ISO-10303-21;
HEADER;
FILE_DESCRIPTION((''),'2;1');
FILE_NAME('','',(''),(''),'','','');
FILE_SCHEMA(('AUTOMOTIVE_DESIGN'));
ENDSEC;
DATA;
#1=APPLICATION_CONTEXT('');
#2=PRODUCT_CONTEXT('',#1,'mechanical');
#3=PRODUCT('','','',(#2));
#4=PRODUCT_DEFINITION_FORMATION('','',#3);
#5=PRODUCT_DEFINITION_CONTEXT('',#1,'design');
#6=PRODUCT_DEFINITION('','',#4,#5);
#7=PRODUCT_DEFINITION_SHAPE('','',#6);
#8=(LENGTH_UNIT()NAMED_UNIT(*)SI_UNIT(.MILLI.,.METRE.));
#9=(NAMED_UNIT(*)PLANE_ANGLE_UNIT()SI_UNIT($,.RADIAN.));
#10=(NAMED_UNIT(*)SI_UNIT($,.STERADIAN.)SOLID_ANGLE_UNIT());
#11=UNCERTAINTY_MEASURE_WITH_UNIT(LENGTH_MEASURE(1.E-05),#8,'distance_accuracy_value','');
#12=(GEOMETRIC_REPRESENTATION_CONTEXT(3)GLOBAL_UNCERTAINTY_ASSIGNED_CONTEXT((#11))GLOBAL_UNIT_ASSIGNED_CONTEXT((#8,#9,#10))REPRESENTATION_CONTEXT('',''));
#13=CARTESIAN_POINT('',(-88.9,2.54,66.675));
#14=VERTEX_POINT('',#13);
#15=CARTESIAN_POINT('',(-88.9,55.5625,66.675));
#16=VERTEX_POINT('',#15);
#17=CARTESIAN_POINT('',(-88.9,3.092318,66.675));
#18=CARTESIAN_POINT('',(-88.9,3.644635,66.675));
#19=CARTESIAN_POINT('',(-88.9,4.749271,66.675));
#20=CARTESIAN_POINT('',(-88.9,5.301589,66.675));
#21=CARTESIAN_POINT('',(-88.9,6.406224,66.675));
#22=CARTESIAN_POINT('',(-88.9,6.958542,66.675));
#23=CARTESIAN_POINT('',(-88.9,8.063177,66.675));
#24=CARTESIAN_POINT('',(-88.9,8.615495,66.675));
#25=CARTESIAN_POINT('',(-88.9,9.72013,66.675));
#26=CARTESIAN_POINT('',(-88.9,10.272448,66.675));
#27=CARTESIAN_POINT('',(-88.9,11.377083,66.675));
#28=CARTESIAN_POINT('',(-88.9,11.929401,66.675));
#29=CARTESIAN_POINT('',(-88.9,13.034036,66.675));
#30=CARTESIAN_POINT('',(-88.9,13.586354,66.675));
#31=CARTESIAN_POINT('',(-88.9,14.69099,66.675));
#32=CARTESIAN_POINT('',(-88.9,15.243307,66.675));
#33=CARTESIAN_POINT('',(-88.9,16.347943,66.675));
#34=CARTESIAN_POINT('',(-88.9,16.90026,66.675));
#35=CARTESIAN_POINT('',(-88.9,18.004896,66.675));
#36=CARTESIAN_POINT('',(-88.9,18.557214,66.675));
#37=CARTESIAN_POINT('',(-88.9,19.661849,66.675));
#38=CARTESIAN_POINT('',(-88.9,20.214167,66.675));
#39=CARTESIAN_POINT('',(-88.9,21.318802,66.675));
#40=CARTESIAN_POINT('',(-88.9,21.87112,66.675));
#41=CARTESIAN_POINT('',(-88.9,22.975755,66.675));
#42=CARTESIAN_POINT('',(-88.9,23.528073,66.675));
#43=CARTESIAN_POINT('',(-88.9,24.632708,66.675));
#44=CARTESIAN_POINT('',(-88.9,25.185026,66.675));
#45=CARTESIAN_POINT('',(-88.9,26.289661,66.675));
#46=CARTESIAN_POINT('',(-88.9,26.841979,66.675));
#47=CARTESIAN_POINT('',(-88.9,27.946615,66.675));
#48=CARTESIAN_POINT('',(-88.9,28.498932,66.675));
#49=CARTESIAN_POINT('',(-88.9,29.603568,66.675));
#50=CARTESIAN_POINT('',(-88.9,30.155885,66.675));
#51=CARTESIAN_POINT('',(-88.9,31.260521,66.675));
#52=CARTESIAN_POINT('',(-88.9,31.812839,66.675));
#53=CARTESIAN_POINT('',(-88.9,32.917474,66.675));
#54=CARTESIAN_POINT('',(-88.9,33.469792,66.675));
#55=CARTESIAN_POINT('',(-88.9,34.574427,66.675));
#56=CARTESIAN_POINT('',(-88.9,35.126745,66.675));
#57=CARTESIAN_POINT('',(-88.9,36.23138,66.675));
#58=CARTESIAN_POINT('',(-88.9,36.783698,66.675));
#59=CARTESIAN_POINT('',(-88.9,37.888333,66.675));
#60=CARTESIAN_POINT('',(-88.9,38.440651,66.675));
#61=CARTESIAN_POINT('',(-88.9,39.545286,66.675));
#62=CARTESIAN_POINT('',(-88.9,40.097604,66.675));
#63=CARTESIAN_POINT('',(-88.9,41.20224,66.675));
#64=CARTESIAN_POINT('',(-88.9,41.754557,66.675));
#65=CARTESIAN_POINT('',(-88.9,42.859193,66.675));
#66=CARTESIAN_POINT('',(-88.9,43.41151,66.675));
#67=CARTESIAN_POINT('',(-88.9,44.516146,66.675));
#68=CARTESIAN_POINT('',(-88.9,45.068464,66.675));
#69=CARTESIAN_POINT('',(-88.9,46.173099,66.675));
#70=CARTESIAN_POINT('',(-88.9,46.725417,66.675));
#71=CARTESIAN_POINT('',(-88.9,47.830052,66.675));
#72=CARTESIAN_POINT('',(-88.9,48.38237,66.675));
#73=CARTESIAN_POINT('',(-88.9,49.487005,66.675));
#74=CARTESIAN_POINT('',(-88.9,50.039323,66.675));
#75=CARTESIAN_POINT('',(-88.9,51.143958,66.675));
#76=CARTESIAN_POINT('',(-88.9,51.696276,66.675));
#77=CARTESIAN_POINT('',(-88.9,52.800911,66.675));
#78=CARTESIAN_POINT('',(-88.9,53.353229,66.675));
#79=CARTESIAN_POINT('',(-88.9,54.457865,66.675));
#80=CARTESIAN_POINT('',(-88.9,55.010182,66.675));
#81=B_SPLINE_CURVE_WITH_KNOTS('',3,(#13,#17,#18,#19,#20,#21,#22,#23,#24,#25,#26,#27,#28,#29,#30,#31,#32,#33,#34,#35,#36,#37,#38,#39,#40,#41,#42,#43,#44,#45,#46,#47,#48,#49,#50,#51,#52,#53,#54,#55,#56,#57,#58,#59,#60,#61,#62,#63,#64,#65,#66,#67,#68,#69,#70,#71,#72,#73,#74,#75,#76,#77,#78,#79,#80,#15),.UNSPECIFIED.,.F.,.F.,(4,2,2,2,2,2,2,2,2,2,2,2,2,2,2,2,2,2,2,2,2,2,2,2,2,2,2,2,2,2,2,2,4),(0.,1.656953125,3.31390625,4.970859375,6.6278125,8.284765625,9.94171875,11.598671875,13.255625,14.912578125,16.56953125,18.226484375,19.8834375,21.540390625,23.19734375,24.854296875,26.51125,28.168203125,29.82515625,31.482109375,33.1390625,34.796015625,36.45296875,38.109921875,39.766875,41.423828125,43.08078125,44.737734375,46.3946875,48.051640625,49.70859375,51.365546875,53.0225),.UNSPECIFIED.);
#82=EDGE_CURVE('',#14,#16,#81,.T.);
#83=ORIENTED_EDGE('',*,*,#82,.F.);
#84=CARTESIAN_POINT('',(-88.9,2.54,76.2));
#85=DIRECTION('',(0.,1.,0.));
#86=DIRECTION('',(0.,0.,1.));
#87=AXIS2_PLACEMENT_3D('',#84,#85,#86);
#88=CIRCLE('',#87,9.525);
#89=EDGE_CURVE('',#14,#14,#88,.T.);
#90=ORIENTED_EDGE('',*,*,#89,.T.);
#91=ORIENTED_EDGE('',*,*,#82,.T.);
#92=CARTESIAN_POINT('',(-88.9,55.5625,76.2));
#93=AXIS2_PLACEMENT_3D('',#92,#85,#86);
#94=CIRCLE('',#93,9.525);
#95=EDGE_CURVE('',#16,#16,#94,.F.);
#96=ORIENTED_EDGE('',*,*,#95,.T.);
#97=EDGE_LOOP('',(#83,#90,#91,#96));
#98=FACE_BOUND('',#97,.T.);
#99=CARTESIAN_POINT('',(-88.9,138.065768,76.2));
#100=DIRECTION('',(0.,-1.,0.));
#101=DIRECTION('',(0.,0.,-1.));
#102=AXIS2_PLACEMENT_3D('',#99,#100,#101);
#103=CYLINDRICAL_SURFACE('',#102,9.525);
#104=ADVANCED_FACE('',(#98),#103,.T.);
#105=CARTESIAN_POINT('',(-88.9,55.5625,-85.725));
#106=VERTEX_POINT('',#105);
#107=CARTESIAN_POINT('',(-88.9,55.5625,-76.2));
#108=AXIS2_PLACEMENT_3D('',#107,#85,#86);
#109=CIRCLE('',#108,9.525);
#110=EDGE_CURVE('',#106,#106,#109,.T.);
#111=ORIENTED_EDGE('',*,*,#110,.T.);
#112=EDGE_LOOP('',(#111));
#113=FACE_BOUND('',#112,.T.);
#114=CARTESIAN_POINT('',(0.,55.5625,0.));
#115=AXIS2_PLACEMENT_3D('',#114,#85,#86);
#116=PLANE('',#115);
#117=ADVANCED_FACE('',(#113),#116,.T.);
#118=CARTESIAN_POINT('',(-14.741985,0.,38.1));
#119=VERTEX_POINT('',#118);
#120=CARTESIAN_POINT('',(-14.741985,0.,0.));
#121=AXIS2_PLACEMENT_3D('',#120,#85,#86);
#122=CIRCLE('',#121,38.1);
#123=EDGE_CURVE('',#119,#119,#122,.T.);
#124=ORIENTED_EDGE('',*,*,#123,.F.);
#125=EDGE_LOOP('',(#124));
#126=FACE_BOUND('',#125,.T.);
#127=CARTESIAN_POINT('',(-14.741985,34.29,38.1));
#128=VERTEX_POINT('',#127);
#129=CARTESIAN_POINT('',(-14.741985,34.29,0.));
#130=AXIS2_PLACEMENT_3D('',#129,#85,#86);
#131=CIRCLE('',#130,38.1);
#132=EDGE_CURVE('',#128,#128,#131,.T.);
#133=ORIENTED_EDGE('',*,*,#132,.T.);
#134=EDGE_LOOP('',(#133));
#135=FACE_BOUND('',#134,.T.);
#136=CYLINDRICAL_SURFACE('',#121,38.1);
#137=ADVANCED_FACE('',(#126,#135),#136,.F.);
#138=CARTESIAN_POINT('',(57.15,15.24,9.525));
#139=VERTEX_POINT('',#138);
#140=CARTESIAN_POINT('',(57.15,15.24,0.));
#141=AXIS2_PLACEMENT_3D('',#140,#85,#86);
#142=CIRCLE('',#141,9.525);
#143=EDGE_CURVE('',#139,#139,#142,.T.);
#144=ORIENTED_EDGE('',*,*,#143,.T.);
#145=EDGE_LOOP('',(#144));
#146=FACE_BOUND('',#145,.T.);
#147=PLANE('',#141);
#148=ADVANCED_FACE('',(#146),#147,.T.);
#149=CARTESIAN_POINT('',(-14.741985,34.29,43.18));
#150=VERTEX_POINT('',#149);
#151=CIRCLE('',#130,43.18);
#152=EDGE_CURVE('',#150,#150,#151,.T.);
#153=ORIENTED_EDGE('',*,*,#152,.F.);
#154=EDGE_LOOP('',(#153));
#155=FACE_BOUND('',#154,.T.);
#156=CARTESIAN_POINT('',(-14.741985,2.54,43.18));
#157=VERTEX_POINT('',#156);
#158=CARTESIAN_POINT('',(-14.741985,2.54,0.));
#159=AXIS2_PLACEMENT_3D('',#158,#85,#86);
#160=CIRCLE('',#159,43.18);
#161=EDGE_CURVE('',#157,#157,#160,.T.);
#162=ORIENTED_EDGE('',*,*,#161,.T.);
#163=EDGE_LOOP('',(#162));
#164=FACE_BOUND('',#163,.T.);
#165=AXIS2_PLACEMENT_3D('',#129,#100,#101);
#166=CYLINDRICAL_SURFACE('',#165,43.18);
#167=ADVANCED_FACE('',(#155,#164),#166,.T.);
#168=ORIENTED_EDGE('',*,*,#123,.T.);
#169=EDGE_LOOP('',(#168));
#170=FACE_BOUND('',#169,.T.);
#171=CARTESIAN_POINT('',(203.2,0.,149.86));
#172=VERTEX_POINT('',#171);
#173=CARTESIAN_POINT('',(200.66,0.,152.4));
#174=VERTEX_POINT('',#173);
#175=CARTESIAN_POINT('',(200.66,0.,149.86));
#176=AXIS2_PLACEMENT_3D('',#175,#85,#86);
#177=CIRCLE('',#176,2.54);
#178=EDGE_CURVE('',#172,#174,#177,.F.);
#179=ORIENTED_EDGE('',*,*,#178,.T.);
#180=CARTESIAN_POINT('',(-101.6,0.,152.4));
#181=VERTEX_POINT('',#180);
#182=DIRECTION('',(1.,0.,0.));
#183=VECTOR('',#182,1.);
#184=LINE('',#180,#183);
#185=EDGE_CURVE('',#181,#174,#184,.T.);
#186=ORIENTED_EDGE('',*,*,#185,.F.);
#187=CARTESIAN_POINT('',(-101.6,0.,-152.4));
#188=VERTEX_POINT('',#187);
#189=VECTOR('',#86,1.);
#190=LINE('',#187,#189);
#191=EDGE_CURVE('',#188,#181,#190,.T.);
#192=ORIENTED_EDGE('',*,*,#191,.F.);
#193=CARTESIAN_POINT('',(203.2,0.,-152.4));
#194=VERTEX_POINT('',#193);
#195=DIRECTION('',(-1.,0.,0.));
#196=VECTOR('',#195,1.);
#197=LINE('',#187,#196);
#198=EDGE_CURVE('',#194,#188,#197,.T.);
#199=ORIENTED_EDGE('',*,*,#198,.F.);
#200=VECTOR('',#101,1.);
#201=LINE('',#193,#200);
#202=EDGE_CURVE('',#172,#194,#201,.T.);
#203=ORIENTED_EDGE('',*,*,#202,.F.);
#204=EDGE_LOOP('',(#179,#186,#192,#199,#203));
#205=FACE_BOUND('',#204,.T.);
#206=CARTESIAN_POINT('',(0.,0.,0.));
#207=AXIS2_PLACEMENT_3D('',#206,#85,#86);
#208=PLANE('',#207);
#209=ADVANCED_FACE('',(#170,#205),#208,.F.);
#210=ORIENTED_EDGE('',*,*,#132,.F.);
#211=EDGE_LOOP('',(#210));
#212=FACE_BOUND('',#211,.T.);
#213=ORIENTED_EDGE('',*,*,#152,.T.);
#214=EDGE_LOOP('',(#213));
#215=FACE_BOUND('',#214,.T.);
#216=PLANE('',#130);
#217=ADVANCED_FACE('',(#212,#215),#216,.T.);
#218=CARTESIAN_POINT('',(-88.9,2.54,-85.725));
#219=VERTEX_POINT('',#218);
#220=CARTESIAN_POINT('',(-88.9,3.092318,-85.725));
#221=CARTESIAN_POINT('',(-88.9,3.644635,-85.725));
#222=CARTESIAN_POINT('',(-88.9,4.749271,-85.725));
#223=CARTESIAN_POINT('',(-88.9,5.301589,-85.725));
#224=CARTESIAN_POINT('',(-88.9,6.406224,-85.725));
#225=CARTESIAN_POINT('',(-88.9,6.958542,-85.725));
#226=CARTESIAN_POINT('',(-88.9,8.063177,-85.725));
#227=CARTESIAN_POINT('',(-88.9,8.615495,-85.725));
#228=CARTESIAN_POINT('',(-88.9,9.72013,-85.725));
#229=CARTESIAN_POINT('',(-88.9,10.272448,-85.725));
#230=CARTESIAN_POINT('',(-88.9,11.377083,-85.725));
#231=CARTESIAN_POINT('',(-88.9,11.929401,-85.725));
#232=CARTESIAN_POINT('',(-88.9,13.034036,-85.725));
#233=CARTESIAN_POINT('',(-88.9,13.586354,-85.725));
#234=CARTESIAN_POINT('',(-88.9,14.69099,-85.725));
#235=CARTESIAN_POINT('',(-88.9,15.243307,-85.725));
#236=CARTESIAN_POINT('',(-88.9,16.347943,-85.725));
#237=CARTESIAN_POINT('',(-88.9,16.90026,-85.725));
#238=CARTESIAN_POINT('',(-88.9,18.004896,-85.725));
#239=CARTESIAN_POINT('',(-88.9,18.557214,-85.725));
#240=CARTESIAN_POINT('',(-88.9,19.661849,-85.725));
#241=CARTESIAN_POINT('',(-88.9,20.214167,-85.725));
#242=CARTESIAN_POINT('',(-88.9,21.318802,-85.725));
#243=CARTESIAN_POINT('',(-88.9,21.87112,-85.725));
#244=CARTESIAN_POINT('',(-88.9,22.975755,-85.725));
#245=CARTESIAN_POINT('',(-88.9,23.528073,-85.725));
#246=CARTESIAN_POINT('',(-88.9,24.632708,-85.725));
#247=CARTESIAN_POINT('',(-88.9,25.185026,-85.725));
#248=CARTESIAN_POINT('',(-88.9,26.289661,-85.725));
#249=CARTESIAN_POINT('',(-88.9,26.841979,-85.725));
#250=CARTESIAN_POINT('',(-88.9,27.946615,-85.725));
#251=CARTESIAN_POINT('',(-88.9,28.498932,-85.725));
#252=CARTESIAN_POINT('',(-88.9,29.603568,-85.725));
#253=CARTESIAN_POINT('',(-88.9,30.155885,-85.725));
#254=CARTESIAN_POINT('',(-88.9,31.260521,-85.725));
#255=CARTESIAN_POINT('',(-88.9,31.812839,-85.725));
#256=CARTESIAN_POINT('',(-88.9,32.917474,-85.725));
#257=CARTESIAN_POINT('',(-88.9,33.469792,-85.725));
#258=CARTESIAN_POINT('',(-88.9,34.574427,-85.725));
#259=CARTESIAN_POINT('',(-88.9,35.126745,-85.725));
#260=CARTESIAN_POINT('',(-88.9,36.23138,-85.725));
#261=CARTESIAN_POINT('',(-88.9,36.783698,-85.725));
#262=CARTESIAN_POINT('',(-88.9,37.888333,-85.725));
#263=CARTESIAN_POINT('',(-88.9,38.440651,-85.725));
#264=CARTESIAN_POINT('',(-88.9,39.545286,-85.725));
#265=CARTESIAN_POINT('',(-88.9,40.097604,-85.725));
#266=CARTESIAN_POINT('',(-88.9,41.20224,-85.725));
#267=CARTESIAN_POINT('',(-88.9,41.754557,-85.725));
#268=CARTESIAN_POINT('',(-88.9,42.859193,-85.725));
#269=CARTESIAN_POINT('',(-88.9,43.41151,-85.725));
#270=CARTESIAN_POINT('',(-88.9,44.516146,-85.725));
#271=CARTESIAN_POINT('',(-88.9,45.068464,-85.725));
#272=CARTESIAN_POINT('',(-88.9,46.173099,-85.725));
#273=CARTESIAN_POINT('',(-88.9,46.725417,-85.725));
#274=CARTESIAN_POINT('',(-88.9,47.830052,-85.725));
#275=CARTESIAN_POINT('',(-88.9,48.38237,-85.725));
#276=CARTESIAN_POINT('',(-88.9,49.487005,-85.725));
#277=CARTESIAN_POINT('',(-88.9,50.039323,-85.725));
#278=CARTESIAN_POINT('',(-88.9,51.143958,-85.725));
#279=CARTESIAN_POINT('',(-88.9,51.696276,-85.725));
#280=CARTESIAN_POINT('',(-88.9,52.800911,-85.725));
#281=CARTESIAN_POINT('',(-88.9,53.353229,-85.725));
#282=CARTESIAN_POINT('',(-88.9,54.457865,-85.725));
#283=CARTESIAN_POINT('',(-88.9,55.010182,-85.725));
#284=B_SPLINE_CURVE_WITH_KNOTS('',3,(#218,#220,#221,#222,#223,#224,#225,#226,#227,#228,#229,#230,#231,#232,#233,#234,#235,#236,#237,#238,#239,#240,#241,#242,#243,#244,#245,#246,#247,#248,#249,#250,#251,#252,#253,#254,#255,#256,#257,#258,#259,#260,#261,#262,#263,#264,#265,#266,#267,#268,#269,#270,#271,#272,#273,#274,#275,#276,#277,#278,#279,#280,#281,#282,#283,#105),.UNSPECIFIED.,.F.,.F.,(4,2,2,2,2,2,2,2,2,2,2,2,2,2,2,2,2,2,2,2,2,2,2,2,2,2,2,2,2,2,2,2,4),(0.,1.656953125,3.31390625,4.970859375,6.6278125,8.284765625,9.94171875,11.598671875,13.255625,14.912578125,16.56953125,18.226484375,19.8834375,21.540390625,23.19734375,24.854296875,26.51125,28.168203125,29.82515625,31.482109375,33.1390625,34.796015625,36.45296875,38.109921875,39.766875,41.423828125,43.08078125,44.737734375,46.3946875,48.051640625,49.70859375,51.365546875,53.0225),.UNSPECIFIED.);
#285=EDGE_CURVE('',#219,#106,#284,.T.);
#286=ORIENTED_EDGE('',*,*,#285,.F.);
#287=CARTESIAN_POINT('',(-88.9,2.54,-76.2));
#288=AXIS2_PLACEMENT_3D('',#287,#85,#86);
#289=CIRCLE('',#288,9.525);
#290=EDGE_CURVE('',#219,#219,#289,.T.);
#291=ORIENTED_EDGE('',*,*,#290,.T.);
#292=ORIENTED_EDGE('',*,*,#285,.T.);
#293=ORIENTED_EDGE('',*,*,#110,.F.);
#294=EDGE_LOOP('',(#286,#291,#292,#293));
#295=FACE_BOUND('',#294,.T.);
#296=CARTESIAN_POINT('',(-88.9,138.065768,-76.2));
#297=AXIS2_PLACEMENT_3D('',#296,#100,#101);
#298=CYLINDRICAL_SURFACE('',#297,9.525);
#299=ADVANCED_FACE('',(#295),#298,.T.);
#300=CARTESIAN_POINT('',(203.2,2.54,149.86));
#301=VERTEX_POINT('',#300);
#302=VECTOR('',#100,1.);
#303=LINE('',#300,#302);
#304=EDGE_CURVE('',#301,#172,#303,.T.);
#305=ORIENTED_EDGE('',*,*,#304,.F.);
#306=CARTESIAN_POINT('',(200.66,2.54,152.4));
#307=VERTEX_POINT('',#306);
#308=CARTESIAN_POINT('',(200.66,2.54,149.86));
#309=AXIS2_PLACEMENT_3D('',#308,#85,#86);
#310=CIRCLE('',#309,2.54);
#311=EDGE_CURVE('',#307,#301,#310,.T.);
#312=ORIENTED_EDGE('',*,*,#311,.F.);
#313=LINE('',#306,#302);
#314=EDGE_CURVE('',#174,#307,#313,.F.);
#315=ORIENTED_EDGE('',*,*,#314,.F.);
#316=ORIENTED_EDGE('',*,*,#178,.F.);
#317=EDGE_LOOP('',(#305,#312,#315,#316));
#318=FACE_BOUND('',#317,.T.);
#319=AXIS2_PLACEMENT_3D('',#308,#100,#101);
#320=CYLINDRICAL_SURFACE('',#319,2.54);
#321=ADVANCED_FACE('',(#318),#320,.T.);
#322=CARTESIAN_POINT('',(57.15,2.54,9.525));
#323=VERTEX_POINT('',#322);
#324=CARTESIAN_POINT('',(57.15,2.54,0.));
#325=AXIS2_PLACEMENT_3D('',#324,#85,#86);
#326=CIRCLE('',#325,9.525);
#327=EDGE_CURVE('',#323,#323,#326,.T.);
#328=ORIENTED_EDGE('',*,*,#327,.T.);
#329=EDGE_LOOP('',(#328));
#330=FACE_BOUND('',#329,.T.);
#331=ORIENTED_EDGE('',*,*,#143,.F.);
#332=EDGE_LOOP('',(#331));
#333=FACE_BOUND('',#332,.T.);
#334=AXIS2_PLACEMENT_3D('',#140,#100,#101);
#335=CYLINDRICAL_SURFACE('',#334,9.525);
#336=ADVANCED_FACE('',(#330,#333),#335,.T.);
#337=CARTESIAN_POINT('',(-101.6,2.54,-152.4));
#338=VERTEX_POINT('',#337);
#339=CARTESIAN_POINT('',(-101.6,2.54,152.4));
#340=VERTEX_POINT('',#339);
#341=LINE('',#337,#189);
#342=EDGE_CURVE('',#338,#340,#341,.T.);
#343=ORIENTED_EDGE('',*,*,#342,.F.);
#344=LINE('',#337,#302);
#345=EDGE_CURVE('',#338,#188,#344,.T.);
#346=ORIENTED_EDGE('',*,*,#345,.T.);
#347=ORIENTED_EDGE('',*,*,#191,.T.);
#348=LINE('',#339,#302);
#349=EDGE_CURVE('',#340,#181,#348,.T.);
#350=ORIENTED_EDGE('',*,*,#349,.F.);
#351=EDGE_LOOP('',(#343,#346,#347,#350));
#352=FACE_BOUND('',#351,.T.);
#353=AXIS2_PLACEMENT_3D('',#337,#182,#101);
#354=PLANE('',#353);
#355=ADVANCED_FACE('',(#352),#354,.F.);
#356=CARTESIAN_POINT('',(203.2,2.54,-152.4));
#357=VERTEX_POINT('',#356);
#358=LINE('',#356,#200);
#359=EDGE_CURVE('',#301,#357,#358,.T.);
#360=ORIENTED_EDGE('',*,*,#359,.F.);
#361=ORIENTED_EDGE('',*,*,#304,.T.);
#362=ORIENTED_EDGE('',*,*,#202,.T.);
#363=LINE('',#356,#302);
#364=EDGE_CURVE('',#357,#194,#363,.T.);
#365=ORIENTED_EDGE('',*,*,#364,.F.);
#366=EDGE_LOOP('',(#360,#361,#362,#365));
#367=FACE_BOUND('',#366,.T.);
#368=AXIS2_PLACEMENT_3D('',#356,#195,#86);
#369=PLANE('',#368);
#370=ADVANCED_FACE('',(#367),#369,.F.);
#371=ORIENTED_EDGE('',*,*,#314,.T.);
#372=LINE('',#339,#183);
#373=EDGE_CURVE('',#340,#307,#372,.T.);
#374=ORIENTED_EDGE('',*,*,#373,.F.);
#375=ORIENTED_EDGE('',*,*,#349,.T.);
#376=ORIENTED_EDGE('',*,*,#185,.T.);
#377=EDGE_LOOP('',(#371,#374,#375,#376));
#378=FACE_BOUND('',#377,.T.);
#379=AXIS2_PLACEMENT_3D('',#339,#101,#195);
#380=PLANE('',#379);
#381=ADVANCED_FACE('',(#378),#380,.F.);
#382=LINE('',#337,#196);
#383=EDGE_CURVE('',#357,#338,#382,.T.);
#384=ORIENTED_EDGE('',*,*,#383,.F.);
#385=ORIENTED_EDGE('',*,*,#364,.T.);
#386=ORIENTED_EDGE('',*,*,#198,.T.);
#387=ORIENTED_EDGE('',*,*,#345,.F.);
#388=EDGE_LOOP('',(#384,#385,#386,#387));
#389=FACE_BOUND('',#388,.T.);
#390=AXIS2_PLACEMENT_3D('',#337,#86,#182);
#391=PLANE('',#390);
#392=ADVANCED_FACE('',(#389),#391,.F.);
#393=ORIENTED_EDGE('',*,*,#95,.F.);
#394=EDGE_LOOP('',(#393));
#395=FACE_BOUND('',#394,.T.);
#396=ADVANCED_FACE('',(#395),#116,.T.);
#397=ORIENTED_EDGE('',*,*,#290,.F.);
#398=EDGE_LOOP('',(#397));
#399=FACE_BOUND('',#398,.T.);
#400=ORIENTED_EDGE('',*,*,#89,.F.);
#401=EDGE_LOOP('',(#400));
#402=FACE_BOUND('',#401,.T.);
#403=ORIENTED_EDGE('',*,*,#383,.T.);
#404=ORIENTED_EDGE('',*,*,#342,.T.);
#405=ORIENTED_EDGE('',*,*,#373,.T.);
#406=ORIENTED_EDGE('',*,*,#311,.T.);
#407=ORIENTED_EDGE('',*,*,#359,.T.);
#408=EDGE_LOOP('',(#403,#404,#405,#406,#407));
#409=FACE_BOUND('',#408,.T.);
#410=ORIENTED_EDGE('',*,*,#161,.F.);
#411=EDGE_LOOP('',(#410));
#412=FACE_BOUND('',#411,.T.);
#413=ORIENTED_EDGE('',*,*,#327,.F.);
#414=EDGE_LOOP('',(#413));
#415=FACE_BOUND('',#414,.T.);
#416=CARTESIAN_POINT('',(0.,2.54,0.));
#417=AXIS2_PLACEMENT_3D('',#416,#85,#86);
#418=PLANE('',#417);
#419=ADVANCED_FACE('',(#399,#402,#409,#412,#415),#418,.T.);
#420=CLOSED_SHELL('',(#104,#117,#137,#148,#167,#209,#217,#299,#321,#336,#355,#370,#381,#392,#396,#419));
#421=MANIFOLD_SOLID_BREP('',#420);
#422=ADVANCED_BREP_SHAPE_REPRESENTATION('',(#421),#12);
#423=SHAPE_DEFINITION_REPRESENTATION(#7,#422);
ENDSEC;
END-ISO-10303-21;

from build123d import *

# Parameters (mm, degrees)
SKETCH1_W           = 304.8
SKETCH1_H           = 304.8
BOSS_EXTRUDE1_DEPTH = 2.54
SKETCH3_R           = 9.525
BOSS_EXTRUDE2_DEPTH = 12.7
SKETCH5_R           = 38.1
CUT_EXTRUDE2_DEPTH  = 255.31730181
SKETCH7_R           = 9.525
BOSS_EXTRUDE4_DEPTH = 53.0225
FILLET1_R           = 2.54
BOSS_EXTRUDE5_START = 31.75
SKETCH9_R           = 43.18
SKETCH9_R_2         = 38.1
BOSS_EXTRUDE5_DEPTH = 31.75


with BuildPart() as part:
    # Sketch1 → Boss-Extrude1 (new body)
    with BuildSketch(Plane(origin=(0, 0, 0), x_dir=(1, 0, 0), z_dir=(0, 1, 0))):
        with Locations((50.8, 0)):
            Rectangle(SKETCH1_W, SKETCH1_H)
    extrude(amount=BOSS_EXTRUDE1_DEPTH)

    # Sketch3 → Boss-Extrude2 (add)
    with BuildSketch(Plane(origin=(0, 2.54, 0), x_dir=(1, 0, 0), z_dir=(0, 1, 0))):
        with Locations(Location((57.15, 0, 0), (0, 0, 270))):
            Circle(SKETCH3_R)
    extrude(amount=BOSS_EXTRUDE2_DEPTH)

    # Sketch5 → Cut-Extrude2 (cut, through all)
    with BuildSketch(Plane(origin=(0, 2.54, 0), x_dir=(1, 0, 0), z_dir=(0, 1, 0))):
        with Locations(Location((-14.741985059, 0, 0), (0, 0, 270))):
            Circle(SKETCH5_R)
    extrude(amount=-CUT_EXTRUDE2_DEPTH, mode=Mode.SUBTRACT)

    # Sketch7 → Boss-Extrude4 (add)
    with BuildSketch(Plane(origin=(0, 2.54, 0), x_dir=(1, 0, 0), z_dir=(0, 1, 0))):
        with Locations(Location((-88.9, 76.2, 0), (0, 0, 90))):
            Circle(SKETCH7_R)
    boss_extrude4 = extrude(amount=BOSS_EXTRUDE4_DEPTH)

    # Mirror1: Boss-Extrude4 across plane
    add(boss_extrude4.mirror(Plane.XY))

    # Fillet1
    fillet1_edges = [part.edges().sort_by_distance(p)[0] for p in [
        (203.2, 1.27, 152.4),
    ]]
    fillet(fillet1_edges, radius=FILLET1_R)

    # Sketch9 → Boss-Extrude5 (add)
    with BuildSketch(Plane(origin=(0, 2.54, 0), x_dir=(1, 0, 0), z_dir=(0, 1, 0)).offset(BOSS_EXTRUDE5_START)):
        with Locations(Location((-14.741985059, 0, 0), (0, 0, 270))):
            Circle(SKETCH9_R)
        with Locations(Location((-14.741985059, 0, 0), (0, 0, 270))):
            Circle(SKETCH9_R_2, mode=Mode.SUBTRACT)
    extrude(amount=-BOSS_EXTRUDE5_DEPTH)


solid = part.part
